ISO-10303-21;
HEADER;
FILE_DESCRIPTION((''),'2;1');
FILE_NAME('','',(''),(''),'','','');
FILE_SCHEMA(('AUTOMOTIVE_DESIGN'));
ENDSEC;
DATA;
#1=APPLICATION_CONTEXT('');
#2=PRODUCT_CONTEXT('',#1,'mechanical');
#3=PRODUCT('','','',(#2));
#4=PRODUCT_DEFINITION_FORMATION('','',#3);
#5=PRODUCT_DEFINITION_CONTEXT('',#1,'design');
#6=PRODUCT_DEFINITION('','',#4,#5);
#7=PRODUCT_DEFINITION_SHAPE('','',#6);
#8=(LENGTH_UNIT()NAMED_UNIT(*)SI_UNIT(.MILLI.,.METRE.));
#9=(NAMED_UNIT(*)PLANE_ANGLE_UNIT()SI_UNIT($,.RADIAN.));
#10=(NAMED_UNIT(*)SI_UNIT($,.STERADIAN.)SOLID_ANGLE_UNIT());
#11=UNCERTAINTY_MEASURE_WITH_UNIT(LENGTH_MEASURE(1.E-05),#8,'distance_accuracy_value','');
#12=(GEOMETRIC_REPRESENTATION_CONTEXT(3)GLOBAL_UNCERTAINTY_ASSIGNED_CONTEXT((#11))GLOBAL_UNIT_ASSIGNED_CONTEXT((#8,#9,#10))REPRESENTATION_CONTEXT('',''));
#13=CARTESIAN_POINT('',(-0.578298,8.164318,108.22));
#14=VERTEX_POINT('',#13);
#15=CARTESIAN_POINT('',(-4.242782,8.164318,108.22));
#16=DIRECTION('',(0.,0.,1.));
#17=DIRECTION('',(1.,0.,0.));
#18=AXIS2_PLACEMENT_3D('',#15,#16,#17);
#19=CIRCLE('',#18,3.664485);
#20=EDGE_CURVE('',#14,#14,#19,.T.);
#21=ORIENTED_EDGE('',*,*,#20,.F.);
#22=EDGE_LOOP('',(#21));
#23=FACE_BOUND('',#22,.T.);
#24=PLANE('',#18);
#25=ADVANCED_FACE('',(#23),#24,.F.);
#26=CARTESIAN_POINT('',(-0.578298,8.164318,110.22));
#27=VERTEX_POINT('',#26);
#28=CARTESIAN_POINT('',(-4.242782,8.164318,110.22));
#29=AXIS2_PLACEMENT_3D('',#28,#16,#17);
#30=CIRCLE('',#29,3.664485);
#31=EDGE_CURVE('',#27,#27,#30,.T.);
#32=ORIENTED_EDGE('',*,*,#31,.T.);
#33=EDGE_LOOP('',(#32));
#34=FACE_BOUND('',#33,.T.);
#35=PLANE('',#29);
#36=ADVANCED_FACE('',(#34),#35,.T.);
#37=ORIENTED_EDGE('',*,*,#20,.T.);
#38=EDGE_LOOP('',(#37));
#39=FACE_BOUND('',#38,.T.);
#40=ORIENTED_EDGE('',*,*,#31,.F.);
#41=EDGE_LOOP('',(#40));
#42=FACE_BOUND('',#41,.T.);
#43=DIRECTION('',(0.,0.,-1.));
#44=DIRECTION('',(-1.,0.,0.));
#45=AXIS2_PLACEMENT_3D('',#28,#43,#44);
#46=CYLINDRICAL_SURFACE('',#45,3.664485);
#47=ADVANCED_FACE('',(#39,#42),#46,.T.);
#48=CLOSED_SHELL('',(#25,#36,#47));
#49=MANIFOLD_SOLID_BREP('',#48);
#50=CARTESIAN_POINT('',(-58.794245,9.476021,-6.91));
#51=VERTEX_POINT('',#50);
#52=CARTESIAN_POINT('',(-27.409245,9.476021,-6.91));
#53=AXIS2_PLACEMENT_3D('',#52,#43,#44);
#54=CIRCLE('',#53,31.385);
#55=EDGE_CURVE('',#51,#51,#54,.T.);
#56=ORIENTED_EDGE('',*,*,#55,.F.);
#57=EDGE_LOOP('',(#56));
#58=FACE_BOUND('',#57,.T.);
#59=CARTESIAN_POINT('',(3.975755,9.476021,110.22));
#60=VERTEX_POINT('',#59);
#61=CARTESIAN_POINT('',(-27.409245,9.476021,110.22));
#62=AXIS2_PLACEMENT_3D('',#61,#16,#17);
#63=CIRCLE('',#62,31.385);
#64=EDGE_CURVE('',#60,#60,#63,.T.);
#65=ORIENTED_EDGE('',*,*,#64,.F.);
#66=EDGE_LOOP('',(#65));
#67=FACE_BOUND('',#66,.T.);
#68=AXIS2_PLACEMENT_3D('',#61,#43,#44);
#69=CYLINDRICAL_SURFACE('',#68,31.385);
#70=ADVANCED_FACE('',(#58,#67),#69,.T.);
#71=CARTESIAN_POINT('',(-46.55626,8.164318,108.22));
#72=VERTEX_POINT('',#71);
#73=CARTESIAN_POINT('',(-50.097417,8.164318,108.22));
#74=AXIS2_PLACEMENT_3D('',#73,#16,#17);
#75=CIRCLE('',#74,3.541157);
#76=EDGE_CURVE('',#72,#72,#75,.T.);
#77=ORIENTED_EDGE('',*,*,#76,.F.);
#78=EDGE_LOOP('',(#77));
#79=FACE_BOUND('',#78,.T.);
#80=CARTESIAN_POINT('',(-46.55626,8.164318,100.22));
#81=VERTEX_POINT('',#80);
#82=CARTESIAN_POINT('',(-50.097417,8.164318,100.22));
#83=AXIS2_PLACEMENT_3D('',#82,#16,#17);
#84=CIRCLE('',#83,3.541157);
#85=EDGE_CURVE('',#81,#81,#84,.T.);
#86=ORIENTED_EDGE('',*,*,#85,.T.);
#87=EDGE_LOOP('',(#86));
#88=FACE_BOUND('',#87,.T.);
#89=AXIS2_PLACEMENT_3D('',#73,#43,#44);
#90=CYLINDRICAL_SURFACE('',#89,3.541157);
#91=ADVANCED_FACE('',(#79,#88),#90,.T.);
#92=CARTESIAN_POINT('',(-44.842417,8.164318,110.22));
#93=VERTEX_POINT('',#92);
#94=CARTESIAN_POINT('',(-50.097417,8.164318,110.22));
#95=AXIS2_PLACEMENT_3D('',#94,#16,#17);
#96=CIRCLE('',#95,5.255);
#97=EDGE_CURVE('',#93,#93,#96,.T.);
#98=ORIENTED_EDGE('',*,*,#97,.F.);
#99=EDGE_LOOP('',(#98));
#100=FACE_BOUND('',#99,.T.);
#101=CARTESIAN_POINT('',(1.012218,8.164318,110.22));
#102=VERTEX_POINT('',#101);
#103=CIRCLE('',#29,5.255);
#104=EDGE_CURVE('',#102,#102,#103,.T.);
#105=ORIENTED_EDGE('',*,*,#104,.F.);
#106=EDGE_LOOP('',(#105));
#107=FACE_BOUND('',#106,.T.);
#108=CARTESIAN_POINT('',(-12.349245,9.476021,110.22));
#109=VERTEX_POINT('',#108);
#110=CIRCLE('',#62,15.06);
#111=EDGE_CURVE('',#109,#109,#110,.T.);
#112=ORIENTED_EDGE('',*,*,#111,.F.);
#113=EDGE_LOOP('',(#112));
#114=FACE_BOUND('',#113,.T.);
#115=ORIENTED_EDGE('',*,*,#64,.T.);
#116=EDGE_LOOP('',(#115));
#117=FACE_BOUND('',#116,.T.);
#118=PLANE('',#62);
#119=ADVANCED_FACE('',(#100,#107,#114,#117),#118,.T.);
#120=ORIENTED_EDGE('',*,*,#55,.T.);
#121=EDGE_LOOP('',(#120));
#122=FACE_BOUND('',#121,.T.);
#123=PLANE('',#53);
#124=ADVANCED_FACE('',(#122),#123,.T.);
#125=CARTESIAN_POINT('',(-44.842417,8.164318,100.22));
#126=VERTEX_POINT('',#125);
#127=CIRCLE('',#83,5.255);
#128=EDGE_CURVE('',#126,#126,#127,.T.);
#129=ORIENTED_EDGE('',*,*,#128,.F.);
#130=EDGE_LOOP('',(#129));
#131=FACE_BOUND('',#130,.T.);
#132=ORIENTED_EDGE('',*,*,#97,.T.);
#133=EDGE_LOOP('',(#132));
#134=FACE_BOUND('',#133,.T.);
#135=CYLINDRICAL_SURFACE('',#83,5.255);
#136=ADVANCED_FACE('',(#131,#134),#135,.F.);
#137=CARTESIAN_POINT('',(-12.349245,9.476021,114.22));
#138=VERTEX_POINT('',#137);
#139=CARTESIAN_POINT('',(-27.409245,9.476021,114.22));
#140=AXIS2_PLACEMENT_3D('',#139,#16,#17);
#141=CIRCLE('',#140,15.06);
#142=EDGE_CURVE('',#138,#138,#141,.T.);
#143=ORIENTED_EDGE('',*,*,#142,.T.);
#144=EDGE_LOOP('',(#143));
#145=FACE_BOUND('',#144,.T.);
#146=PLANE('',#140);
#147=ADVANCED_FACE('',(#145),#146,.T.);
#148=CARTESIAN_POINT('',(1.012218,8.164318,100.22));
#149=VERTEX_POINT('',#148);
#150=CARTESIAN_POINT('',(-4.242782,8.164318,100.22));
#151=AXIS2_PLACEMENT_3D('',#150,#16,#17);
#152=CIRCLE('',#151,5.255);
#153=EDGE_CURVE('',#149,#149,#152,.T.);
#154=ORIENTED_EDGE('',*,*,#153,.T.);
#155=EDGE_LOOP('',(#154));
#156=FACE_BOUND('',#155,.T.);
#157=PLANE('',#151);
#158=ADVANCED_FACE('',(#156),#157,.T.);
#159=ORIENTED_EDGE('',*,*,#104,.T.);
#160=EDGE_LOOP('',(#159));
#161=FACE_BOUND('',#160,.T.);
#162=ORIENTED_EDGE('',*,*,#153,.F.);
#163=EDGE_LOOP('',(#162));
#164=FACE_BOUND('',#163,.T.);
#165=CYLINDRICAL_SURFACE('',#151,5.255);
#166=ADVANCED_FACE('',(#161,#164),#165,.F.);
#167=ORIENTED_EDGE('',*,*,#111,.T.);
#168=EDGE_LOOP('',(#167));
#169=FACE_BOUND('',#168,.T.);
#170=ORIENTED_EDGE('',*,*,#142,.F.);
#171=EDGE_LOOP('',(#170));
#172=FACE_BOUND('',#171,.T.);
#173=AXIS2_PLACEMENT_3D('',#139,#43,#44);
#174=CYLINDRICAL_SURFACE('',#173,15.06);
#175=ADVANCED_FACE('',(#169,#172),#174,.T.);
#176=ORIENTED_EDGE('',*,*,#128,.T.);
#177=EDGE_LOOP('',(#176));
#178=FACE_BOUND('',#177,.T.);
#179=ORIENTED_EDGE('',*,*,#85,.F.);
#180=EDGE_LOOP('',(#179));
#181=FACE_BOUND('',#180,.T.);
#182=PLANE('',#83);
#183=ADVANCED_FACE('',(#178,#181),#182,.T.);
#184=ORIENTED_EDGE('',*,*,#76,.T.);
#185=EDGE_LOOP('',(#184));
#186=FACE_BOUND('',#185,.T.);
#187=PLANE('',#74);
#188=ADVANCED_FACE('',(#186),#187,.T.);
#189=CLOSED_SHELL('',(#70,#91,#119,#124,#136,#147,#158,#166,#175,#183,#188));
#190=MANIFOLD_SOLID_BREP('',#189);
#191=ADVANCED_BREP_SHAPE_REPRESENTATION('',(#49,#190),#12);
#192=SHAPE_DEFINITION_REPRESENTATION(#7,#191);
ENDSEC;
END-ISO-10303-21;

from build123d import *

# Parameters (mm, degrees)
SKETCH_1_R          = 31.385
EXTRUDE_1_DEPTH     = 110.22
SKETCH_2_R          = 15.06
EXTRUDE_2_DEPTH     = 4
SKETCH_3_R          = 5.255
CUT_EXTRUDE_1_DEPTH = 10
SKETCH_4_R          = 3.541157085
EXTRUDE_3_DEPTH     = 8
SKETCH_5_R          = 3.664484838
EXTRUDE_6_DEPTH     = 2
EXTRUDE_START       = 6.91
SKETCH_6_R          = 31.385
EXTRUDE_7_DEPTH     = 6.91


with BuildPart() as part:
    # 草图1 → 凸台-拉伸1 (new body)
    with BuildSketch(Plane.XY):
        with Locations((-27.409245033, 9.476020806)):
            Circle(SKETCH_1_R)
    extrude(amount=EXTRUDE_1_DEPTH)

    # 草图2 → 凸台-拉伸2 (add)
    with BuildSketch(Plane.XY.offset(110.22)):
        with Locations((-27.409245033, 9.476020806)):
            Circle(SKETCH_2_R)
    extrude(amount=EXTRUDE_2_DEPTH)

    # 草图3 → 切除-拉伸1 (cut)
    with BuildSketch(Plane.XY.offset(110.22)):
        with Locations((-4.242782438, 8.164318367)):
            Circle(SKETCH_3_R)
        with Locations((-50.097416885, 8.164318367)):
            Circle(SKETCH_3_R)
    extrude(amount=-CUT_EXTRUDE_1_DEPTH, mode=Mode.SUBTRACT)

    # 草图4 → 凸台-拉伸3 (add)
    with BuildSketch(Plane.XY.offset(100.22)):
        with Locations((-50.097416885, 8.164318367)):
            Circle(SKETCH_4_R)
    extrude(amount=EXTRUDE_3_DEPTH)

    # 草图6 → 凸台-拉伸7 (add)
    with BuildSketch(Plane(origin=(0, 0, 0), x_dir=(-1, 0, 0), z_dir=(0, 0, -1)).offset(EXTRUDE_START)):
        with Locations((27.409245033, 9.476020806)):
            Circle(SKETCH_6_R)
    extrude(amount=-EXTRUDE_7_DEPTH)


with BuildPart() as body_2:
    # 草图5 → 凸台-拉伸6 (new body)
    with BuildSketch(Plane.XY.offset(108.22)):
        with Locations((-4.242782438, 8.164318367)):
            Circle(SKETCH_5_R)
    extrude(amount=EXTRUDE_6_DEPTH)


solid = Compound([part.part, body_2.part])
